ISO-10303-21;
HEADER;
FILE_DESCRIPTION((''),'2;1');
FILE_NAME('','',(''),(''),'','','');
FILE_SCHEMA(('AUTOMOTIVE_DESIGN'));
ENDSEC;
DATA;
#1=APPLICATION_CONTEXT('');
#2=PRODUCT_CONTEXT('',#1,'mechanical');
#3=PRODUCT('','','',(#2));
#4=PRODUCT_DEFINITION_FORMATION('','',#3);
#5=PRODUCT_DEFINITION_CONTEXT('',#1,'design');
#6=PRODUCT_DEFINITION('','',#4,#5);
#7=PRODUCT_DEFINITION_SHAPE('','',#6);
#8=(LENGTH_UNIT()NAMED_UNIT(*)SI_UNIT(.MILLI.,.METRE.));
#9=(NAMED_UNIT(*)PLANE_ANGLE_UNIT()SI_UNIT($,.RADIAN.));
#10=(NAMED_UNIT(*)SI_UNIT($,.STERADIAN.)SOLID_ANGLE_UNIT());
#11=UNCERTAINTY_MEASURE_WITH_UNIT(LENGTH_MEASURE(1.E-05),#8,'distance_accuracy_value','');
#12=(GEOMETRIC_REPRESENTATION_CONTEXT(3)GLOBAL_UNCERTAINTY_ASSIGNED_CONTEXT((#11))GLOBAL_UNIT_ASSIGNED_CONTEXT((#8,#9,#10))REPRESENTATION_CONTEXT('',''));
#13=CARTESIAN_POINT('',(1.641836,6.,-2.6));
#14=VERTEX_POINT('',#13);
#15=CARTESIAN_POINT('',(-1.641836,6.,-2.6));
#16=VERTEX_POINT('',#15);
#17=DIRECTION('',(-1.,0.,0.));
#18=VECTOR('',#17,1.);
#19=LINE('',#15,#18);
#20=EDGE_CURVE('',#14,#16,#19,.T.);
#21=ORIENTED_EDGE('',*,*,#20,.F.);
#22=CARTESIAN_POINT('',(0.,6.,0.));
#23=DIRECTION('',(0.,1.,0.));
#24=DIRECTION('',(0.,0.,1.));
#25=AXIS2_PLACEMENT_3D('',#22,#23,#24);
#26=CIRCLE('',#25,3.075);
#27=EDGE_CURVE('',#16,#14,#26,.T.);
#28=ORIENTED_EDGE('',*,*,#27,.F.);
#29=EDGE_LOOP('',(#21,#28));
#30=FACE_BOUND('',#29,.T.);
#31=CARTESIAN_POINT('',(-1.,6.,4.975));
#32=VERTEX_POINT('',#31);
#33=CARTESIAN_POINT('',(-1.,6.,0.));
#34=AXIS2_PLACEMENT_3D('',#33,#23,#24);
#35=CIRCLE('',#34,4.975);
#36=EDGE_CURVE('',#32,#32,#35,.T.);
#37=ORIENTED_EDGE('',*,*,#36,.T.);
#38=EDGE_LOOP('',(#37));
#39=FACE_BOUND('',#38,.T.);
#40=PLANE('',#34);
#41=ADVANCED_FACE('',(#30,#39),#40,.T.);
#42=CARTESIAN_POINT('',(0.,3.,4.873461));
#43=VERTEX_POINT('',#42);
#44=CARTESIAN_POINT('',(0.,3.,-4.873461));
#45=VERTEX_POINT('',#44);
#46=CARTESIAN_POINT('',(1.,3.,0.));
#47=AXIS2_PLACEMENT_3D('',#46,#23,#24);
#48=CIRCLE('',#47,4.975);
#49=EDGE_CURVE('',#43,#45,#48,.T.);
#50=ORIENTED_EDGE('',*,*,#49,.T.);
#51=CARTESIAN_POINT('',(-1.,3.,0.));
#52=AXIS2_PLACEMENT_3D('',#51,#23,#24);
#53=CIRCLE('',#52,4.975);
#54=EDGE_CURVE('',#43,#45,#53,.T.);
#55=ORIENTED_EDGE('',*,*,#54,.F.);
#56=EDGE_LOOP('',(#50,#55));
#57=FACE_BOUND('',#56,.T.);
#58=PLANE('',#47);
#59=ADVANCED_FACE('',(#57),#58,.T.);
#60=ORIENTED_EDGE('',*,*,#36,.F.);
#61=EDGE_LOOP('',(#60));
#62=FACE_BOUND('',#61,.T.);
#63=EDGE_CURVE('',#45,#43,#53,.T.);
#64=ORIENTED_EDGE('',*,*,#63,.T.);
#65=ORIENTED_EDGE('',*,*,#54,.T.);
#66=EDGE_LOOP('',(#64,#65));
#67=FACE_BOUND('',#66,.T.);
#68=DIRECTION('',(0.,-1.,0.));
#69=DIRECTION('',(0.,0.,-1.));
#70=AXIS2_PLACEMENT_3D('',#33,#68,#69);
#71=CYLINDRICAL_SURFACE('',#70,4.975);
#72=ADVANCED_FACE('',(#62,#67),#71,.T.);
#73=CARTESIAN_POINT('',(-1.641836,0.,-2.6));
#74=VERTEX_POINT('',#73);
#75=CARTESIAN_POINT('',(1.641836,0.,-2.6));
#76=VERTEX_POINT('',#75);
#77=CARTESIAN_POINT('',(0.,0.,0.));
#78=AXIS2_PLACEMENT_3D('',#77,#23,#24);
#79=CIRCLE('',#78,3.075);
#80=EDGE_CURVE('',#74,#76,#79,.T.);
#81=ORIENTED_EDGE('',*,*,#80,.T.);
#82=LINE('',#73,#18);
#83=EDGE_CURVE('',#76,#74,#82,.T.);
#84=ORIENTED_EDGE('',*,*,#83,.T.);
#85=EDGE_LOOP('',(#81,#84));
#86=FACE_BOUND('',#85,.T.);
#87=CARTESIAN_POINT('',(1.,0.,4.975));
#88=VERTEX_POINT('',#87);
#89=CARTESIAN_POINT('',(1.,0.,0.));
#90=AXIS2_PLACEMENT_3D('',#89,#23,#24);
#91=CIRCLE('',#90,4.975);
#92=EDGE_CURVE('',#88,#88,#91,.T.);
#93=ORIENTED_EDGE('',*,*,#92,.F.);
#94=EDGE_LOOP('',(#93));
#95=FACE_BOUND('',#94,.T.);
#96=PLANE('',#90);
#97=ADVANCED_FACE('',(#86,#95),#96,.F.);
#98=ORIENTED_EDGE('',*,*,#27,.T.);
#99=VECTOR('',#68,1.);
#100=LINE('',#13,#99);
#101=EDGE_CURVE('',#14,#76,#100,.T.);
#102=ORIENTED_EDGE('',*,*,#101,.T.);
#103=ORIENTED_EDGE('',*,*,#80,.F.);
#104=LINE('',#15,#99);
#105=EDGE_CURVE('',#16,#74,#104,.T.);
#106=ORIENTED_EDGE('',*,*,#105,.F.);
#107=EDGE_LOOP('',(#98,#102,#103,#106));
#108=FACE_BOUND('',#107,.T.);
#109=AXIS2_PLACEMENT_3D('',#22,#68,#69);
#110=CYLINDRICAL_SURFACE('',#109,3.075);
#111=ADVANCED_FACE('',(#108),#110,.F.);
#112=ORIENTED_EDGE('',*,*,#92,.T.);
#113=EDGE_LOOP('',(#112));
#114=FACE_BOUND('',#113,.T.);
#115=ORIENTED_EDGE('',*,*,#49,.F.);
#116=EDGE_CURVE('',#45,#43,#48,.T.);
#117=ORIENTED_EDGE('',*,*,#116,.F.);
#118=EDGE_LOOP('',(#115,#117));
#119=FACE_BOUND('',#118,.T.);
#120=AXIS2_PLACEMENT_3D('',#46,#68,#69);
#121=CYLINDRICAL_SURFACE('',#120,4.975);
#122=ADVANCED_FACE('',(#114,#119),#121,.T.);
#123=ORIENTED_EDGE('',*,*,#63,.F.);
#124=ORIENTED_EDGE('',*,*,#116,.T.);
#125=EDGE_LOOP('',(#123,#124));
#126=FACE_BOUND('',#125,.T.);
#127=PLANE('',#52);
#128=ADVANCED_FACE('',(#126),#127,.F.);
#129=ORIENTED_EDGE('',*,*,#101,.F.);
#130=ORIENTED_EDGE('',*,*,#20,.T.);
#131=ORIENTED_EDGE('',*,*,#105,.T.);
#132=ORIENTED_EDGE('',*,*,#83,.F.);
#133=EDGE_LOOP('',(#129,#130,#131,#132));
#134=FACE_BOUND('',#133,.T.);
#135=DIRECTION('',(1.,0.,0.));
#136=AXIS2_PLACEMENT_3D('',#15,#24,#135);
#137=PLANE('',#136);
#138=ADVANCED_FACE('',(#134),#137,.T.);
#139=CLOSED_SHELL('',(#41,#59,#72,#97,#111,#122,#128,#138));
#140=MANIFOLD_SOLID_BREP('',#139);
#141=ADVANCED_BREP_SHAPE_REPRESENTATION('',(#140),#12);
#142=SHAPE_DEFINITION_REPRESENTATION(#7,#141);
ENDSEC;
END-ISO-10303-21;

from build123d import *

# Parameters (mm, degrees)
CROQUIS1_R              = 4.975
SALIENTE_EXTRUIR1_DEPTH = 3
CROQUIS2_R              = 4.975
SALIENTE_EXTRUIR2_DEPTH = 3
CORTAR_EXTRUIR1_DEPTH   = 10.820959729


with BuildPart() as part:
    # Croquis1 → Saliente-Extruir1 (new body)
    with BuildSketch(Plane(origin=(0, 0, 0), x_dir=(1, 0, 0), z_dir=(0, 1, 0))):
        with Locations(Location((1, 0, 0), (0, 0, 270))):
            Circle(CROQUIS1_R)
    extrude(amount=SALIENTE_EXTRUIR1_DEPTH)

    # Croquis2 → Saliente-Extruir2 (add)
    with BuildSketch(Plane(origin=(0, 3, 0), x_dir=(1, 0, 0), z_dir=(0, 1, 0))):
        with Locations(Location((-1, 0, 0), (0, 0, 78.404263687))):
            Circle(CROQUIS2_R)
    extrude(amount=SALIENTE_EXTRUIR2_DEPTH)

    # Croquis3 → Cortar-Extruir1 (cut, through all)
    with BuildSketch(Plane(origin=(0, 0, 0), x_dir=(1, 0, 0), z_dir=(0, 1, 0))):
        with BuildLine():
            Line((-1.641835863, 2.6), (1.641835863, 2.6))
            ThreePointArc((1.641835863, 2.6), (0, -3.075), (-1.641835863, 2.6))
        make_face()
    extrude(amount=CORTAR_EXTRUIR1_DEPTH, mode=Mode.SUBTRACT)


solid = part.part
